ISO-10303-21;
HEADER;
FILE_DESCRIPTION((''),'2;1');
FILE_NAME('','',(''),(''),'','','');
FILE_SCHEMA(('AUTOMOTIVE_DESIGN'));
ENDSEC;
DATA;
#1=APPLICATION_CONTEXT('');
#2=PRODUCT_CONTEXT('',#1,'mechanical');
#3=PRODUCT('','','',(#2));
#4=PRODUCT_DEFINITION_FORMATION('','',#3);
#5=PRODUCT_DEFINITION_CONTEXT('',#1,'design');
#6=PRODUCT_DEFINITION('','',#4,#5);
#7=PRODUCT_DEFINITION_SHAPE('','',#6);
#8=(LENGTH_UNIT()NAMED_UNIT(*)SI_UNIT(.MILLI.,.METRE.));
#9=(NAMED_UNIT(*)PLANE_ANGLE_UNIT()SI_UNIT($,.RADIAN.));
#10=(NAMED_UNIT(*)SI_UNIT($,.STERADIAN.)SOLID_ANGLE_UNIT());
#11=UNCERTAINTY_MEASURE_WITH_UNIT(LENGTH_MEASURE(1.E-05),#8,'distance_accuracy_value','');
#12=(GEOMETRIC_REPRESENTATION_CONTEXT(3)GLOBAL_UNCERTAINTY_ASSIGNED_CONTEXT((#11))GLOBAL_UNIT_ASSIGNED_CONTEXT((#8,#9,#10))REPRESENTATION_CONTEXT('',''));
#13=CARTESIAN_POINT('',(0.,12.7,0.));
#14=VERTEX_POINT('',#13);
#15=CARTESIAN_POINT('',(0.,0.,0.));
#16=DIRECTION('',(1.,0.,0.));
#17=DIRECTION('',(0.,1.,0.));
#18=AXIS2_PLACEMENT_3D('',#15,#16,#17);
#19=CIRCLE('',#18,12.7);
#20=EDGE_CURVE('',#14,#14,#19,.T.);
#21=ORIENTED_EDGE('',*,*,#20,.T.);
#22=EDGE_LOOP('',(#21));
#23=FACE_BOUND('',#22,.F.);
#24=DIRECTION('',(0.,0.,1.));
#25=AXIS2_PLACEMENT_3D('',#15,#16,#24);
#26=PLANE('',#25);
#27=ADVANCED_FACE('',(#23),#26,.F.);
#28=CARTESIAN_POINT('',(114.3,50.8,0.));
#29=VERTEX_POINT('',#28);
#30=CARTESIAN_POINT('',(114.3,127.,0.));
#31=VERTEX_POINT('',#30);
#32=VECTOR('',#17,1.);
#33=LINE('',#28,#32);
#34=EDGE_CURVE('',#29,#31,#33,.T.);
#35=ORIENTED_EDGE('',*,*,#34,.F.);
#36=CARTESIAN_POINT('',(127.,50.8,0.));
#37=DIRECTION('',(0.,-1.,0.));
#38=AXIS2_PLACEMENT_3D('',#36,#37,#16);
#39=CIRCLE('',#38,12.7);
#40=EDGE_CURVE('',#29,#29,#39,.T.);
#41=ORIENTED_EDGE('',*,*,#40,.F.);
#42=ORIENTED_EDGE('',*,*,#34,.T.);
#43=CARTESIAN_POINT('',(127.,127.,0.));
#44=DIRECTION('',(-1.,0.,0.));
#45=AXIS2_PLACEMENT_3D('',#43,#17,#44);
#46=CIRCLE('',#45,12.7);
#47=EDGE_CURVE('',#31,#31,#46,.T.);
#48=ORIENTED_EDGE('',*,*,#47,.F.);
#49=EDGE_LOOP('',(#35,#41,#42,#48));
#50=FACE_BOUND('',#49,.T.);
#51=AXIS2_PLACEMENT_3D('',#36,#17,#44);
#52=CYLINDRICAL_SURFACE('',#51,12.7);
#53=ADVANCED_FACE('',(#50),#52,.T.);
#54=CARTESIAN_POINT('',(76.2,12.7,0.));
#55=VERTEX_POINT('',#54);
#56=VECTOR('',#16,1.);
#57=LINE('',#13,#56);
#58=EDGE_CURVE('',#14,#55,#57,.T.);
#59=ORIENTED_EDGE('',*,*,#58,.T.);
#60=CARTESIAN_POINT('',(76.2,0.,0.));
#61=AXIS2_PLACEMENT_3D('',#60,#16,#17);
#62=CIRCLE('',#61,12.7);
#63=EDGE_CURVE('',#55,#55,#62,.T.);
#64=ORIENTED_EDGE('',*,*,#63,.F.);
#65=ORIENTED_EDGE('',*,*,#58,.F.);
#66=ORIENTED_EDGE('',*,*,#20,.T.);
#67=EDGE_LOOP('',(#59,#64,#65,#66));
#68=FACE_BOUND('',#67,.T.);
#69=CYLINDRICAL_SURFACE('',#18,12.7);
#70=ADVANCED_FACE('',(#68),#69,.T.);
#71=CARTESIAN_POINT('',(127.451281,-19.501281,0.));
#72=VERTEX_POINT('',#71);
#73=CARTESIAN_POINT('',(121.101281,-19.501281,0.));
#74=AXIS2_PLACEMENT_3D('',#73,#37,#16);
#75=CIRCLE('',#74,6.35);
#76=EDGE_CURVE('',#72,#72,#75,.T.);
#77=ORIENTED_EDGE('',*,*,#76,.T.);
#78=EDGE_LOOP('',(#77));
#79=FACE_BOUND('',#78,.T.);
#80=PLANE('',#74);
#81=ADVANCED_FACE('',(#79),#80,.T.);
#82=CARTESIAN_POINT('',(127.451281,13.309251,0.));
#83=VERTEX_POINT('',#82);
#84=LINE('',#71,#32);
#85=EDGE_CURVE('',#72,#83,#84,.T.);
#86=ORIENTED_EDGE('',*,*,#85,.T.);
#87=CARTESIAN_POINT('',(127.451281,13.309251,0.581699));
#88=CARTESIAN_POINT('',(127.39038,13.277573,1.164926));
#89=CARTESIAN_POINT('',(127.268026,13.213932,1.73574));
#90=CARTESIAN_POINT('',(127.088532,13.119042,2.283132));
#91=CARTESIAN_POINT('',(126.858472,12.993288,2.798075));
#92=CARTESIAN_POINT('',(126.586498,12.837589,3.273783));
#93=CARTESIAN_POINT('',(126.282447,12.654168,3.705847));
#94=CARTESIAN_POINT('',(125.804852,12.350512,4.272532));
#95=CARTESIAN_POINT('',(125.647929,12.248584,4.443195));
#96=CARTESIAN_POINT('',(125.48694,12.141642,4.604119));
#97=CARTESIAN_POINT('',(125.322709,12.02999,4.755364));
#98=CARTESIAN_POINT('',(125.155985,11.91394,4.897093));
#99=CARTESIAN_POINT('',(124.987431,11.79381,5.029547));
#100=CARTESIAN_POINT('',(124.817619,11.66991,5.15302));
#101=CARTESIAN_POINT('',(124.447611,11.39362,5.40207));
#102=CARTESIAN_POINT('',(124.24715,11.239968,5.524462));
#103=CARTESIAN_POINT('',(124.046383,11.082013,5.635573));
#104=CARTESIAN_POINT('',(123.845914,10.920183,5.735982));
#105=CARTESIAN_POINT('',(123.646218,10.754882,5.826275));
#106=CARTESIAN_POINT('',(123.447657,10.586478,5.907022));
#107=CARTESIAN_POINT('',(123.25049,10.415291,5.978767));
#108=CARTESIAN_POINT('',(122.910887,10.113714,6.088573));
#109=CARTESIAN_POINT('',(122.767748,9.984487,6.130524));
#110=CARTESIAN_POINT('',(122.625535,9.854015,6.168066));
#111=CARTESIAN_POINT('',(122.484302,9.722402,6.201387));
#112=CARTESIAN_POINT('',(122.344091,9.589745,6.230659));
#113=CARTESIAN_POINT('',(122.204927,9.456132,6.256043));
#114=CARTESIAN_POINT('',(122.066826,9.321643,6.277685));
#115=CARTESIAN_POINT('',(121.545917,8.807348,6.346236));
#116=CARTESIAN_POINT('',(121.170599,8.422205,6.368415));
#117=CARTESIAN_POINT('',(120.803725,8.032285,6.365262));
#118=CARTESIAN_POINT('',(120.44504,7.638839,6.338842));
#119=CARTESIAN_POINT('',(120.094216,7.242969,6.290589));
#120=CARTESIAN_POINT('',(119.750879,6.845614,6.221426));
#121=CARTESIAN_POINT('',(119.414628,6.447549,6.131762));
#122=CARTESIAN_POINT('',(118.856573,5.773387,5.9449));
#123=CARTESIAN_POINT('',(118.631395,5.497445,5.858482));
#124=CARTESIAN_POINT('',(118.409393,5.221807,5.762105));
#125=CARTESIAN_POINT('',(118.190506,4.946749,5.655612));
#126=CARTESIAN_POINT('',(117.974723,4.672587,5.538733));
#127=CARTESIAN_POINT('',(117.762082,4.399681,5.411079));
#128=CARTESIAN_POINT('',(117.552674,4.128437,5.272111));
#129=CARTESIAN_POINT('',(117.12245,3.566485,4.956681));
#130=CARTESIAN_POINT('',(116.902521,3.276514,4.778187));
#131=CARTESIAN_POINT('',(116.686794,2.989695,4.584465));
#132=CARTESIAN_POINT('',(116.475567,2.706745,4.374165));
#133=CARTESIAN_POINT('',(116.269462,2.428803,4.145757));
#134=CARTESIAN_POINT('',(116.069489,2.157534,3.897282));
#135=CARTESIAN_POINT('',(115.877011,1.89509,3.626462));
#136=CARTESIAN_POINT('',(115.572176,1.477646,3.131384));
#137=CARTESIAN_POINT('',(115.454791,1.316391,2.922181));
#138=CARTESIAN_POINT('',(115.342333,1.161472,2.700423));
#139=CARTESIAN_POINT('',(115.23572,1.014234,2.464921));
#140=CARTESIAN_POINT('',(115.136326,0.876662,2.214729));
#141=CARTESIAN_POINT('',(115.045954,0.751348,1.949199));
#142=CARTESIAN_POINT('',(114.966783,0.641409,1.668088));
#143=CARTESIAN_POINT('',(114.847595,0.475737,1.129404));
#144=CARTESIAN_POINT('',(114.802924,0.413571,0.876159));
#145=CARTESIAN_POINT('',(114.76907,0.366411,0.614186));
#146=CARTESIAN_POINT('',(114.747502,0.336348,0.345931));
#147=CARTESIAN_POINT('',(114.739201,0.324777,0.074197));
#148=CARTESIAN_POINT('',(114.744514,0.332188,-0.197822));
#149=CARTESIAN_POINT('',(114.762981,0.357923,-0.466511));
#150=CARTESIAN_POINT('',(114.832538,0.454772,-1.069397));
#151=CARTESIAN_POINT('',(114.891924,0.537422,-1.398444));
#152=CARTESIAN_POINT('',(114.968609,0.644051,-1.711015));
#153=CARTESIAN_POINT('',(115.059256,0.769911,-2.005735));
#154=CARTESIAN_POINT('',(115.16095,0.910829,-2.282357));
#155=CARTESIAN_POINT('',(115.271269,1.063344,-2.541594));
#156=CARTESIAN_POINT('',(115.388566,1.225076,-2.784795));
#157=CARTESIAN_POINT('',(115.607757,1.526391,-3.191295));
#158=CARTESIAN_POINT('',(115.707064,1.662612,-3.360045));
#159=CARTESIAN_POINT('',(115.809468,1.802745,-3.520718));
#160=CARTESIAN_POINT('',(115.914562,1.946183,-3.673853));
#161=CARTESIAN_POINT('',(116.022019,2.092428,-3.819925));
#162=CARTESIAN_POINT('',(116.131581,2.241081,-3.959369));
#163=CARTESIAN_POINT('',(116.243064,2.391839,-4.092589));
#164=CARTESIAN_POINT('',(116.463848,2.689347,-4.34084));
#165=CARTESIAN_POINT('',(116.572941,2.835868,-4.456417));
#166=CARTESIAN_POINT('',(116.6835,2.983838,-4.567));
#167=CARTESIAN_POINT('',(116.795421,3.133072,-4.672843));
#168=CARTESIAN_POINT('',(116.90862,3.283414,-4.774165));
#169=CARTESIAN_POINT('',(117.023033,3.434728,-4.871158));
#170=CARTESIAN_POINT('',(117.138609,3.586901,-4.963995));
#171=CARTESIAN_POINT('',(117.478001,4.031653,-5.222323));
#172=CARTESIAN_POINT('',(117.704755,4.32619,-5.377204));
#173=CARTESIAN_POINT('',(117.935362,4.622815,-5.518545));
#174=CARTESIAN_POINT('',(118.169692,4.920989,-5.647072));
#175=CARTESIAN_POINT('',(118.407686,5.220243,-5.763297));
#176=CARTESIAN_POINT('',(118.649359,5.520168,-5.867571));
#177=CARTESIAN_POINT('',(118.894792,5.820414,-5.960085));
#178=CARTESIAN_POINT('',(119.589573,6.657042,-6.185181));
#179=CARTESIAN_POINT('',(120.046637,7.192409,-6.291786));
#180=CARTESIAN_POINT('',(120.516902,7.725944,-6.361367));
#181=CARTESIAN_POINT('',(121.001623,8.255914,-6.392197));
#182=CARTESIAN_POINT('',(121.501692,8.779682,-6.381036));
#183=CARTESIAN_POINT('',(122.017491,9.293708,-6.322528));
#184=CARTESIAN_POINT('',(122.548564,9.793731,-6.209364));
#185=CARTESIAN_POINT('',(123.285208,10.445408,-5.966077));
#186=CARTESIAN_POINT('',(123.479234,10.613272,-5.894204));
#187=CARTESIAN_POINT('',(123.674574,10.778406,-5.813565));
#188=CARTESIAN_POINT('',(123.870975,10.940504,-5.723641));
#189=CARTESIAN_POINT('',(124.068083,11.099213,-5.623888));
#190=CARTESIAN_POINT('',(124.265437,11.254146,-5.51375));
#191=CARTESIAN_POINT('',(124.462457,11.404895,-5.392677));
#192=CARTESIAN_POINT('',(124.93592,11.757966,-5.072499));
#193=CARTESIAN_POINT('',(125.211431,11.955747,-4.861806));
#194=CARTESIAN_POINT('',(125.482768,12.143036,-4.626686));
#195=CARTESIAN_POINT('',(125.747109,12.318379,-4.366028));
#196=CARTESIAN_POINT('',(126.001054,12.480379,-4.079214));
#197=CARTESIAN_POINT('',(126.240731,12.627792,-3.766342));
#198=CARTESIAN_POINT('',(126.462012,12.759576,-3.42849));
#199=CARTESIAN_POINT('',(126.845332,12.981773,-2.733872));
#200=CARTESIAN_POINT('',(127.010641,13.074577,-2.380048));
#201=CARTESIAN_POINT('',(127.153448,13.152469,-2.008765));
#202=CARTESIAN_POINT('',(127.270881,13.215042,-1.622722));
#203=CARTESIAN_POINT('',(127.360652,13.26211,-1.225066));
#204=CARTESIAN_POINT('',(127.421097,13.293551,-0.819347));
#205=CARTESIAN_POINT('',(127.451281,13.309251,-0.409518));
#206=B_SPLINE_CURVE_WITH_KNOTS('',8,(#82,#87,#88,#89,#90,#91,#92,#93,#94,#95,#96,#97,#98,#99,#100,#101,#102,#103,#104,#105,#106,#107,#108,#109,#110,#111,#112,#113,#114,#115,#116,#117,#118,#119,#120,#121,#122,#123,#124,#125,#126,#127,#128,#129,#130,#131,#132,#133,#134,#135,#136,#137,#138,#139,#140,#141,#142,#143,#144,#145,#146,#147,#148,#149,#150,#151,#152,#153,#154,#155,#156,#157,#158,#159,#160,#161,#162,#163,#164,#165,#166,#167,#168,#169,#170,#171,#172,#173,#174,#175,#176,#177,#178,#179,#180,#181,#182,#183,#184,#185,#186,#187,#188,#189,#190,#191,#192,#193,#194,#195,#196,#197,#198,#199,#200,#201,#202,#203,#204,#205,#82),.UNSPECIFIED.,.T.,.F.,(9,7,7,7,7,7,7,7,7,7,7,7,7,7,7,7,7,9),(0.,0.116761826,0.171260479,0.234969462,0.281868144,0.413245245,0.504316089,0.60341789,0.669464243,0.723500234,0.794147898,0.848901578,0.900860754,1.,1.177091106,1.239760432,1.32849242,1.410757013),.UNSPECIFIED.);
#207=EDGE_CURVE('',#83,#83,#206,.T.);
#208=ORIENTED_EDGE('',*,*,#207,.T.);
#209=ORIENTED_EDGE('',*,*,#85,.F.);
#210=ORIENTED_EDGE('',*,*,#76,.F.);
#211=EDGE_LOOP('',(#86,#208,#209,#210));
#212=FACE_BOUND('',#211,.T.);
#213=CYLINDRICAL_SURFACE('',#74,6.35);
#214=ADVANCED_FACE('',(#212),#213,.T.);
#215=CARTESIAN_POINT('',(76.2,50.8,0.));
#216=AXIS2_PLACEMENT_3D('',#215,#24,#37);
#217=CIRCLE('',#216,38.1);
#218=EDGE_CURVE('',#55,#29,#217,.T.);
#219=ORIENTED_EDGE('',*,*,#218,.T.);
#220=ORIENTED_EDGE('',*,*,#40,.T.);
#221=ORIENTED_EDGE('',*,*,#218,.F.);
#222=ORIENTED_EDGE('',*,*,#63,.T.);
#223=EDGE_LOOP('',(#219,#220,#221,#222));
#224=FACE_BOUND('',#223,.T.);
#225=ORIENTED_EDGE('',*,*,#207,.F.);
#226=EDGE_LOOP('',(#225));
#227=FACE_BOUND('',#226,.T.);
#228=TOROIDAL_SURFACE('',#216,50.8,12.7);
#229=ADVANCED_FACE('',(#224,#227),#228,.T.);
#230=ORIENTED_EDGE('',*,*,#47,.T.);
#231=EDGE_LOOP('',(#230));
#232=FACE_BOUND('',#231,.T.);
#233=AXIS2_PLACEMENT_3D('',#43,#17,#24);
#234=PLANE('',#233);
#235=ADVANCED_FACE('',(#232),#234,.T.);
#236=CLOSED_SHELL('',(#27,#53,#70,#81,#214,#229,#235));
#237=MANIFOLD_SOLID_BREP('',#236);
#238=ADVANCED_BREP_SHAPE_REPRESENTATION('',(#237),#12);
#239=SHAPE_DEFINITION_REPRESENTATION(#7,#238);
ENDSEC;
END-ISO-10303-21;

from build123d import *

# Parameters (mm, degrees)
F1_R     = 12.7
F5_R     = 6.35
F6_DEPTH = 32.810532029


with BuildPart() as f2:
    # F2: sweep along a path in F0
    with BuildLine(Plane.XY) as f2_path:
        Line((0, 0), (76.2, 0))
        ThreePointArc((76.2, 0), (112.1210244843, 14.8789755157), (127, 50.8))
        Line((127, 50.8), (127, 127))
    # F1 (on Right) → F2 (sweep)
    with BuildSketch(Plane.YZ):
        Circle(F1_R)
    sweep(path=f2_path.line)

    # F5 (on plane+point) → F6 (join, through all)
    with BuildSketch(Plane.XZ.offset(19.5012806053)):
        with Locations((121.1012806053, 0)):
            Circle(F5_R)
    extrude(amount=-F6_DEPTH)


solid = f2.part
